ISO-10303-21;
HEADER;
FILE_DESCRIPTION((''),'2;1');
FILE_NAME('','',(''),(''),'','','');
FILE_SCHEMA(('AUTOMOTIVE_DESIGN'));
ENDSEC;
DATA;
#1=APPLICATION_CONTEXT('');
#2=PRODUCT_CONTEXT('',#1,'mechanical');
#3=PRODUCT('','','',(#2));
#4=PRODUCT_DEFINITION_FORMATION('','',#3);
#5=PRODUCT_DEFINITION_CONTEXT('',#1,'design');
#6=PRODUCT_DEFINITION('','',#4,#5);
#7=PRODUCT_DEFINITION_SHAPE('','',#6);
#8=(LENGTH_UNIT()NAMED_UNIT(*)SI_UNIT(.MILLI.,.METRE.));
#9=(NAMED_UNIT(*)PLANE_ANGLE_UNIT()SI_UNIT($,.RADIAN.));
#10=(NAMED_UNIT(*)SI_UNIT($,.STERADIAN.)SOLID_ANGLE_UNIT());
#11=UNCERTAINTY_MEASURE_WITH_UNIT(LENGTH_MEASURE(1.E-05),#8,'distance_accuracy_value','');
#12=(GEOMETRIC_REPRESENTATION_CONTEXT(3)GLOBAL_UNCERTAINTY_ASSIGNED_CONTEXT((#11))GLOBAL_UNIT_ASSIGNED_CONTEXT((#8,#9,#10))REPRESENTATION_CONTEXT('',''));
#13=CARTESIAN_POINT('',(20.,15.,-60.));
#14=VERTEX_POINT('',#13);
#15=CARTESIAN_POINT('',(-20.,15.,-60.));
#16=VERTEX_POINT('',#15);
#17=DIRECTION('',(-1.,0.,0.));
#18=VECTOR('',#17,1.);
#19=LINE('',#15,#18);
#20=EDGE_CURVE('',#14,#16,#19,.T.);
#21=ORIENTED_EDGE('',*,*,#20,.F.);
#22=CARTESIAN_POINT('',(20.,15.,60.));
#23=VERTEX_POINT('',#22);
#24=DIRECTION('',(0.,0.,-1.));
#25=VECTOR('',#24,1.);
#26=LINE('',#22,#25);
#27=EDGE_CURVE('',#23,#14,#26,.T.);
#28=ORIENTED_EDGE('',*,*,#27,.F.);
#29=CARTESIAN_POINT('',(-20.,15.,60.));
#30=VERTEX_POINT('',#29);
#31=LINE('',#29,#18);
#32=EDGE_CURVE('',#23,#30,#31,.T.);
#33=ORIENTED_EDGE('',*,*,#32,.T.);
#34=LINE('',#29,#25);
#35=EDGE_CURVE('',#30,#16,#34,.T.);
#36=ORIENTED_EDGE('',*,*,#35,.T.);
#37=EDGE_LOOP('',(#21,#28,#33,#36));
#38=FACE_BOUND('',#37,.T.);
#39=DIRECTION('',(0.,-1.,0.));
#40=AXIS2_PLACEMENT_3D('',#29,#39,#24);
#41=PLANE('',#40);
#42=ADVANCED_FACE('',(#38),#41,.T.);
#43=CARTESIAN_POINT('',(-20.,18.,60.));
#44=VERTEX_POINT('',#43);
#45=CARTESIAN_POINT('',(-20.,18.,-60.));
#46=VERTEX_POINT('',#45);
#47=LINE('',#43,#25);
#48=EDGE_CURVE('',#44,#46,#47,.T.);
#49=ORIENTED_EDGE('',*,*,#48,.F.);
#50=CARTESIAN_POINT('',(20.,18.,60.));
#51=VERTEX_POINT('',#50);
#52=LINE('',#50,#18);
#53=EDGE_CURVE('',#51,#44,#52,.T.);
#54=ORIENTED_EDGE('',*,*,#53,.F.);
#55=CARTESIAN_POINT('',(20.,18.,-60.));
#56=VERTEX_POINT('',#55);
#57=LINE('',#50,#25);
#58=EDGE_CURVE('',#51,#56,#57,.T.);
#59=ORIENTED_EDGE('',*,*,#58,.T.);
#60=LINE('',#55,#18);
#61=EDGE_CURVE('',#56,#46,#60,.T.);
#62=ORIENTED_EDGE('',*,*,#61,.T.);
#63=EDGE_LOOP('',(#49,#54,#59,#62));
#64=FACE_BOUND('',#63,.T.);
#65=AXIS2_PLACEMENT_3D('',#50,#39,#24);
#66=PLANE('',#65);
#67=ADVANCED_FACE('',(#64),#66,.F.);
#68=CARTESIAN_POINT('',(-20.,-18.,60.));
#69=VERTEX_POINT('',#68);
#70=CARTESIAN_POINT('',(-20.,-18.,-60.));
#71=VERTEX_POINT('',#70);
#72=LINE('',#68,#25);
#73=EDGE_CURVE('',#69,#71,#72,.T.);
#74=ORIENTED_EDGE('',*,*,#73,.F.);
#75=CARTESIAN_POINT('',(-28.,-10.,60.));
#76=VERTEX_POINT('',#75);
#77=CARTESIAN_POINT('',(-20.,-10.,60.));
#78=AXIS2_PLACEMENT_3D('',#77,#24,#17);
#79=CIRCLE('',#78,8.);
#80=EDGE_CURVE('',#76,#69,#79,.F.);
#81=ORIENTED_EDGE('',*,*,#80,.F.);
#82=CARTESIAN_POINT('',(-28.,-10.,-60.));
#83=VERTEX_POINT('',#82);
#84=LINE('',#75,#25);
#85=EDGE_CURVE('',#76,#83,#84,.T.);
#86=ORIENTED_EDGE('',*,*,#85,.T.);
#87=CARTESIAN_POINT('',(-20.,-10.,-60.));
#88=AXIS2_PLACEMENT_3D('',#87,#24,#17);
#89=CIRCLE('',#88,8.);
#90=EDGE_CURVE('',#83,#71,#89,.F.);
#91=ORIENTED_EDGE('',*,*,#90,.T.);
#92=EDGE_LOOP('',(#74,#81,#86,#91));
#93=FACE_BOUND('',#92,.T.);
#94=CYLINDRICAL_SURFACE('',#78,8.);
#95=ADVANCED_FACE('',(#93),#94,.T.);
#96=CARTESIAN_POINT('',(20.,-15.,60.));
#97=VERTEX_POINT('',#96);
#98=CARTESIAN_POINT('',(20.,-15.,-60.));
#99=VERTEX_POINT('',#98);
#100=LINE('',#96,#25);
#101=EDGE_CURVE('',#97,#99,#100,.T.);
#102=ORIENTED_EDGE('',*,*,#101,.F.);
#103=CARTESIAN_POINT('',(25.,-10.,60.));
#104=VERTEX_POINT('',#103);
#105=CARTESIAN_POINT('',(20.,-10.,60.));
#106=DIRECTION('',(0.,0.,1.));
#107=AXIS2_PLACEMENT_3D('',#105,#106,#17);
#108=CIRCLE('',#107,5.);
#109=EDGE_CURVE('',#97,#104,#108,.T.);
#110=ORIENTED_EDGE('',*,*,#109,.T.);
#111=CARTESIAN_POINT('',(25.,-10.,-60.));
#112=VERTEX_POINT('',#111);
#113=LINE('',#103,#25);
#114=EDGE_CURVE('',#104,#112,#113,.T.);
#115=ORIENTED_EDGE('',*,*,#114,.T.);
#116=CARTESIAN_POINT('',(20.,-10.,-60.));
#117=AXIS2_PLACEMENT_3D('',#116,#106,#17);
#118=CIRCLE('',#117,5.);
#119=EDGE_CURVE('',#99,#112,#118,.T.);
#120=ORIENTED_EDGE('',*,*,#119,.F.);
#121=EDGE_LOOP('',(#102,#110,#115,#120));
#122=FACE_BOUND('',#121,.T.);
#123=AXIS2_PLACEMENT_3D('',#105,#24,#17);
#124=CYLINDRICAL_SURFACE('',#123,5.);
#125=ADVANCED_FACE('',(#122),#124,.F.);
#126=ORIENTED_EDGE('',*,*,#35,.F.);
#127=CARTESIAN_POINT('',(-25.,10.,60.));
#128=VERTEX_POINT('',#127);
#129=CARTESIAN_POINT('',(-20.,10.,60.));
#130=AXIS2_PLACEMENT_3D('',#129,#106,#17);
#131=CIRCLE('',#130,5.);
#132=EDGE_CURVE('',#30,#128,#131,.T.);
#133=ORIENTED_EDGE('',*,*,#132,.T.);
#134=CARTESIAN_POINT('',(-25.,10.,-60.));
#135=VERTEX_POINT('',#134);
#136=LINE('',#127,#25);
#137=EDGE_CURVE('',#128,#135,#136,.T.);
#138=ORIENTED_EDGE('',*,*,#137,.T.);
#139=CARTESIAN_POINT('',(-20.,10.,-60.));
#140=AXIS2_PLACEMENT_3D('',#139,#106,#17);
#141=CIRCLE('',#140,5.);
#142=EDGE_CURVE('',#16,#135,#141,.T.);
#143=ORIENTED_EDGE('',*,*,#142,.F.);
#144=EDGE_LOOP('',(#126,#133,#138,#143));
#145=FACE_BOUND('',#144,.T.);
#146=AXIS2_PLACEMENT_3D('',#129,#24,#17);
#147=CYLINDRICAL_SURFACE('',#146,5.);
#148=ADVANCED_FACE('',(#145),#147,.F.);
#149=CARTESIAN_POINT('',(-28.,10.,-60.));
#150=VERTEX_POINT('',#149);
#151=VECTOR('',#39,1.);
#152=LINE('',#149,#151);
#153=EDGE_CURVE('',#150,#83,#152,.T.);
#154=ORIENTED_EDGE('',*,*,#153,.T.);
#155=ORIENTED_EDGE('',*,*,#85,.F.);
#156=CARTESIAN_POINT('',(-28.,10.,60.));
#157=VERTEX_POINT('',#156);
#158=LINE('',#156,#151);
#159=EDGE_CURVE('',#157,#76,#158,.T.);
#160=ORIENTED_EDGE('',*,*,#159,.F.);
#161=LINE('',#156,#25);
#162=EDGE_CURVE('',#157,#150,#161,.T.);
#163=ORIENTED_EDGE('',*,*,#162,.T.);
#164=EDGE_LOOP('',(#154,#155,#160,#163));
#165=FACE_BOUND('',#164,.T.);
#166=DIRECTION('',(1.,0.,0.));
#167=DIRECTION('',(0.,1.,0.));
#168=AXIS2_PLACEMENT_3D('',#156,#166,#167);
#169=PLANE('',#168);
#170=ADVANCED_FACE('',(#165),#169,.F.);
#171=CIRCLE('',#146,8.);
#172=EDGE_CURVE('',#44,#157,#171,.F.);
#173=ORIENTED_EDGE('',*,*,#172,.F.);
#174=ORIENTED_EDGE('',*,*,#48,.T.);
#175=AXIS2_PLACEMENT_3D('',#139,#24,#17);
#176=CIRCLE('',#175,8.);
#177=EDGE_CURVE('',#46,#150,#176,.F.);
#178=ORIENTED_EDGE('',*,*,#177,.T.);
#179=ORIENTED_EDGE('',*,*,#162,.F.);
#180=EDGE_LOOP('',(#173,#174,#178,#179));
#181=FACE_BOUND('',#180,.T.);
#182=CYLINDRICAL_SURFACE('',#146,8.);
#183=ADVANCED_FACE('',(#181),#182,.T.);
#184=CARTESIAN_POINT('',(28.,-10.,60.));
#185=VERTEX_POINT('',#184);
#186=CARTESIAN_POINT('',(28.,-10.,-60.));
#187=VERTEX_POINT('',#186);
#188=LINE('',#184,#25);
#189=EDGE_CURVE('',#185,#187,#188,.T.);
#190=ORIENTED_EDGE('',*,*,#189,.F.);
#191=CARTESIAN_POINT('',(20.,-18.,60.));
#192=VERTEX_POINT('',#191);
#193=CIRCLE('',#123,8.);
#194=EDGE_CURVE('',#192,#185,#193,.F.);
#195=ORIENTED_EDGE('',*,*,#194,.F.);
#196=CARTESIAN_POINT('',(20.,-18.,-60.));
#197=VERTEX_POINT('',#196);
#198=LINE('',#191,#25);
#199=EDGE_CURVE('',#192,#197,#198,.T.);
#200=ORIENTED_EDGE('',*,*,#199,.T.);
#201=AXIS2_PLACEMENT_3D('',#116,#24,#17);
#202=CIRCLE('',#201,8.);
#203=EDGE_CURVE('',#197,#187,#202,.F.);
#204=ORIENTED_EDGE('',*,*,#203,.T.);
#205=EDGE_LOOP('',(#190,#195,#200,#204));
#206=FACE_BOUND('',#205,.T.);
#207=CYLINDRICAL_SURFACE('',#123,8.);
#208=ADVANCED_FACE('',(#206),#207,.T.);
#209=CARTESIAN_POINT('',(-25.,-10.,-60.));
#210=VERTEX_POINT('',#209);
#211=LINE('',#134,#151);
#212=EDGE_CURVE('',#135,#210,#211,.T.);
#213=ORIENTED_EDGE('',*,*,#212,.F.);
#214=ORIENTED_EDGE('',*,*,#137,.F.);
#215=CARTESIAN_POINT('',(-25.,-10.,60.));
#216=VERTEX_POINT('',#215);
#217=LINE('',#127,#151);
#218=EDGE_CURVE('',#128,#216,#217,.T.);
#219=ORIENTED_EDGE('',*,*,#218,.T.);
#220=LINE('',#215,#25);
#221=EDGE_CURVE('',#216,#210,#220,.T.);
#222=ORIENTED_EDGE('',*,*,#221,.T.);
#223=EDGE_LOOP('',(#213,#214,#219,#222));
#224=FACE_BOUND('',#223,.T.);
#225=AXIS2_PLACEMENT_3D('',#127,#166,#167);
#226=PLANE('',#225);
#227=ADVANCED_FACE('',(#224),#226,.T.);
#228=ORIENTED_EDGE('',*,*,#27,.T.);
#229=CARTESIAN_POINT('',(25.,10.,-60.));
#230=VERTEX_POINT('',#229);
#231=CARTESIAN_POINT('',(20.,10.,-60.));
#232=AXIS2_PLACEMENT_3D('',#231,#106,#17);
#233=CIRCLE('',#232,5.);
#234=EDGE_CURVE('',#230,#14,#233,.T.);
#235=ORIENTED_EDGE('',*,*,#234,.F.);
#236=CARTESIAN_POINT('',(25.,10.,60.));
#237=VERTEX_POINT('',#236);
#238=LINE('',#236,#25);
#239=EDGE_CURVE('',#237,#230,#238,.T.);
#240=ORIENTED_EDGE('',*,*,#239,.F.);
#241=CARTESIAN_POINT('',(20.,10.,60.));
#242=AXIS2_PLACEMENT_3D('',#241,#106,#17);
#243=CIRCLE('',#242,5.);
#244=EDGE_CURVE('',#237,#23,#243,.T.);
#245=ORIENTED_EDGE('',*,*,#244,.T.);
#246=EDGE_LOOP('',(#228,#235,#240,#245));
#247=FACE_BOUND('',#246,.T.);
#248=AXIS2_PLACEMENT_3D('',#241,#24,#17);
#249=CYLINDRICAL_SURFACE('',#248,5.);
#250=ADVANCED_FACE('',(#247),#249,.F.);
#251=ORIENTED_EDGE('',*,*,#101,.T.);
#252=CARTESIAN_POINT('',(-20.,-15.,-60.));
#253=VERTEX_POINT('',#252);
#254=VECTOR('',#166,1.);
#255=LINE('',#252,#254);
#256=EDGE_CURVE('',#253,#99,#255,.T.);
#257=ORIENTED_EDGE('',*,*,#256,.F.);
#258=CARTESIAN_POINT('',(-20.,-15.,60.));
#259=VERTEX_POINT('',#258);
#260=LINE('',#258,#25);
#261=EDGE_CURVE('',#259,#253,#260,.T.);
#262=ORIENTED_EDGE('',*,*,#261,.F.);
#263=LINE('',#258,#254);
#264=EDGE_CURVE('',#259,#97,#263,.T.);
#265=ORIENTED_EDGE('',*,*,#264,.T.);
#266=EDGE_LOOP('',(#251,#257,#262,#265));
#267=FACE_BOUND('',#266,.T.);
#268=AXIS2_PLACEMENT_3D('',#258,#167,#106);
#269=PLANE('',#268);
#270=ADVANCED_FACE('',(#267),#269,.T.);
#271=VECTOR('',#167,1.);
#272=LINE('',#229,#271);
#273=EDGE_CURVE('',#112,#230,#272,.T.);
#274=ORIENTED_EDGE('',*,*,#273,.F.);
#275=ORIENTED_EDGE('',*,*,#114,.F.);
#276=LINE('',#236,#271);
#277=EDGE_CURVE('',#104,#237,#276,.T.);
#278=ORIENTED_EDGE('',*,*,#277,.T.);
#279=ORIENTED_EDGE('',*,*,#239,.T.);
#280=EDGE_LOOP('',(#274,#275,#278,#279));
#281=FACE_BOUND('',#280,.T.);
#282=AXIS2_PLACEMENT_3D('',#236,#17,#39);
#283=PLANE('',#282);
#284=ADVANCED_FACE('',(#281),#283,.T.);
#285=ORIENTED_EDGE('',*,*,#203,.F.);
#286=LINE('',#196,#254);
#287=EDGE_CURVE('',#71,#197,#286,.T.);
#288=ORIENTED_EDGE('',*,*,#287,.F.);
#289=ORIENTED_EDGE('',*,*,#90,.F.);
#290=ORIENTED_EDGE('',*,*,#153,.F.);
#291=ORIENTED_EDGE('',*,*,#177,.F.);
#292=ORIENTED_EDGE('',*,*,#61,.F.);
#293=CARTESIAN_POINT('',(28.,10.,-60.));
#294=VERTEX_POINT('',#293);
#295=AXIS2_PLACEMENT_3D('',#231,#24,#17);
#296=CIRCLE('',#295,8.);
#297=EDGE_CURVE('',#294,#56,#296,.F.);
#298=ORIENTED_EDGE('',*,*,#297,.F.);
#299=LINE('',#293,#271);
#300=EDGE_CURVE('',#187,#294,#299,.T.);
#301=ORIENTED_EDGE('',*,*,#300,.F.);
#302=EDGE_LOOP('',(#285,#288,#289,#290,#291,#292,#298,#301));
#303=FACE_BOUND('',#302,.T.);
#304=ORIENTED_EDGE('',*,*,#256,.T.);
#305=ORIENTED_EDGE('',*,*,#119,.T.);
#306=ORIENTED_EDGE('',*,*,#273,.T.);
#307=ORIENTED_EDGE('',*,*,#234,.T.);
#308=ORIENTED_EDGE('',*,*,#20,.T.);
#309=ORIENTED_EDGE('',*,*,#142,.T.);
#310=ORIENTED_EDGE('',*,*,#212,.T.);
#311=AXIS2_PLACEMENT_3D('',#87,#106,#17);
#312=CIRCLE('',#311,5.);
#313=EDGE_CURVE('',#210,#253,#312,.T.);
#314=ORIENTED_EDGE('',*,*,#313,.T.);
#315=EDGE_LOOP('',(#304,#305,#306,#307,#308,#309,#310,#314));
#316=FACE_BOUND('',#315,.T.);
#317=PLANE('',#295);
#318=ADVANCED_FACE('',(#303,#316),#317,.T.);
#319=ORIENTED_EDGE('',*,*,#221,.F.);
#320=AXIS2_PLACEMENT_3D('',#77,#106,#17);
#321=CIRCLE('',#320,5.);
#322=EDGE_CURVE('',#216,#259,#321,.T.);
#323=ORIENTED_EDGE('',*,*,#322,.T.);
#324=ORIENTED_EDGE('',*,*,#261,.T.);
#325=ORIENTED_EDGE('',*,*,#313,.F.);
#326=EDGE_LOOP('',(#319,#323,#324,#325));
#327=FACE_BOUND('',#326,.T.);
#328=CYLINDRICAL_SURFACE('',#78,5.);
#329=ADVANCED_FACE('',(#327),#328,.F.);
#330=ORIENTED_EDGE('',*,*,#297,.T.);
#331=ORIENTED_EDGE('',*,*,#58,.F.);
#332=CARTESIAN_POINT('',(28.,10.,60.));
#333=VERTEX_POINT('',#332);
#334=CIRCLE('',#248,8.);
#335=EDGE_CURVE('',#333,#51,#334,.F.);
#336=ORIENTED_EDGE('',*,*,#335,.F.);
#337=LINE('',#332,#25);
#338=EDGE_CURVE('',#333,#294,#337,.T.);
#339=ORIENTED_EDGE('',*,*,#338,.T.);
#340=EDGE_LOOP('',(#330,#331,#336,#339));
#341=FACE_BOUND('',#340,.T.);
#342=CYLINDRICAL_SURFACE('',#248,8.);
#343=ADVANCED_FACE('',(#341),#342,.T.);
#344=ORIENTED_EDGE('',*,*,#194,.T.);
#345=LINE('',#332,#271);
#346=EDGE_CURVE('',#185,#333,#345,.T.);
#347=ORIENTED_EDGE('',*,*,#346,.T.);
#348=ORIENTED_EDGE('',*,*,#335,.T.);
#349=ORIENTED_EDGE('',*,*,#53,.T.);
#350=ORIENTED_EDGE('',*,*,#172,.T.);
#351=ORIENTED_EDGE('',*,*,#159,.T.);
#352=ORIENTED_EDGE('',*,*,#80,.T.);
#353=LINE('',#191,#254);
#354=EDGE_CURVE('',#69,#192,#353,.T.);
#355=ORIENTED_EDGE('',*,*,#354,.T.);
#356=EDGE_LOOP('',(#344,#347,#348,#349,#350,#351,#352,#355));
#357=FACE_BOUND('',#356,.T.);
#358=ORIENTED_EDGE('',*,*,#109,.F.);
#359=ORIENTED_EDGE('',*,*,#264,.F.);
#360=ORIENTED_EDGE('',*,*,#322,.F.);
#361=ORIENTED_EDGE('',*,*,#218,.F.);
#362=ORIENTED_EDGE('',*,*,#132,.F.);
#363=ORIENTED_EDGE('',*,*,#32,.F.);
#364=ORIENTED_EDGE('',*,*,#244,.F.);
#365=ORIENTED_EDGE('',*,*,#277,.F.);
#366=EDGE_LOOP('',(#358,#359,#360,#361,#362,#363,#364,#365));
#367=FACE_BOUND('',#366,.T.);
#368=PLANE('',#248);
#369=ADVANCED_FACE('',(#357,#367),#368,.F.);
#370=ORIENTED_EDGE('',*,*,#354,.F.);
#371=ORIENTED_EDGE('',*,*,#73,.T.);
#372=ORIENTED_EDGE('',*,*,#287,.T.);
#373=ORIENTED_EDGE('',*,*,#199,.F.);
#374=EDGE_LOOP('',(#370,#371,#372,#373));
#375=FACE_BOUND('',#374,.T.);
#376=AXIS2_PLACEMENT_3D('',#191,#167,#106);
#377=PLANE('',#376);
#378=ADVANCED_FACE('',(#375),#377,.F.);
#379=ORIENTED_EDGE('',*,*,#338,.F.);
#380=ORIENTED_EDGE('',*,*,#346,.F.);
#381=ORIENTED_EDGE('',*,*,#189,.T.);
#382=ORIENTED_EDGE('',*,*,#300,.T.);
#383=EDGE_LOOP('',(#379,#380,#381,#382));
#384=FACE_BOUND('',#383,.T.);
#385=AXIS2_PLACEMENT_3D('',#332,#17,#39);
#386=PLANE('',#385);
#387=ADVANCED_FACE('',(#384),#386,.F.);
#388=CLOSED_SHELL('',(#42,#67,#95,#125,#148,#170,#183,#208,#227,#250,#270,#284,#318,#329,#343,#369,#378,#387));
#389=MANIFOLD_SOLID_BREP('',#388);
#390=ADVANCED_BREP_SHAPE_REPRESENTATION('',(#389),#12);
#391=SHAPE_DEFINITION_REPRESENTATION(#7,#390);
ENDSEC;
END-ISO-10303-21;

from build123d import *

# Parameters (mm, degrees)
EXTRUDE_THIN1_DEPTH = 60


with BuildPart() as part:
    # Sketch1 → Extrude-Thin1 (new body, symmetric)
    with BuildSketch(Plane.XY):
        with BuildLine():
            Line((-20, 18), (20, 18))
            ThreePointArc((20, 18), (25.656854249, 15.656854249), (28, 10))
            Line((28, 10), (28, -10))
            ThreePointArc((28, -10), (25.656854249, -15.656854249), (20, -18))
            Line((20, -18), (-20, -18))
            ThreePointArc((-20, -18), (-25.656854249, -15.656854249), (-28, -10))
            Line((-28, -10), (-28, 10))
            ThreePointArc((-28, 10), (-25.656854249, 15.656854249), (-20, 18))
        make_face()
        with BuildLine():
            Line((-20, 15), (20, 15))
            ThreePointArc((20, 15), (23.535533906, 13.535533906), (25, 10))
            Line((25, 10), (25, -10))
            ThreePointArc((25, -10), (23.535533906, -13.535533906), (20, -15))
            Line((20, -15), (-20, -15))
            ThreePointArc((-20, -15), (-23.535533906, -13.535533906), (-25, -10))
            Line((-25, -10), (-25, 10))
            ThreePointArc((-25, 10), (-23.535533906, 13.535533906), (-20, 15))
        make_face(mode=Mode.SUBTRACT)
    extrude(amount=EXTRUDE_THIN1_DEPTH, both=True)


solid = part.part
